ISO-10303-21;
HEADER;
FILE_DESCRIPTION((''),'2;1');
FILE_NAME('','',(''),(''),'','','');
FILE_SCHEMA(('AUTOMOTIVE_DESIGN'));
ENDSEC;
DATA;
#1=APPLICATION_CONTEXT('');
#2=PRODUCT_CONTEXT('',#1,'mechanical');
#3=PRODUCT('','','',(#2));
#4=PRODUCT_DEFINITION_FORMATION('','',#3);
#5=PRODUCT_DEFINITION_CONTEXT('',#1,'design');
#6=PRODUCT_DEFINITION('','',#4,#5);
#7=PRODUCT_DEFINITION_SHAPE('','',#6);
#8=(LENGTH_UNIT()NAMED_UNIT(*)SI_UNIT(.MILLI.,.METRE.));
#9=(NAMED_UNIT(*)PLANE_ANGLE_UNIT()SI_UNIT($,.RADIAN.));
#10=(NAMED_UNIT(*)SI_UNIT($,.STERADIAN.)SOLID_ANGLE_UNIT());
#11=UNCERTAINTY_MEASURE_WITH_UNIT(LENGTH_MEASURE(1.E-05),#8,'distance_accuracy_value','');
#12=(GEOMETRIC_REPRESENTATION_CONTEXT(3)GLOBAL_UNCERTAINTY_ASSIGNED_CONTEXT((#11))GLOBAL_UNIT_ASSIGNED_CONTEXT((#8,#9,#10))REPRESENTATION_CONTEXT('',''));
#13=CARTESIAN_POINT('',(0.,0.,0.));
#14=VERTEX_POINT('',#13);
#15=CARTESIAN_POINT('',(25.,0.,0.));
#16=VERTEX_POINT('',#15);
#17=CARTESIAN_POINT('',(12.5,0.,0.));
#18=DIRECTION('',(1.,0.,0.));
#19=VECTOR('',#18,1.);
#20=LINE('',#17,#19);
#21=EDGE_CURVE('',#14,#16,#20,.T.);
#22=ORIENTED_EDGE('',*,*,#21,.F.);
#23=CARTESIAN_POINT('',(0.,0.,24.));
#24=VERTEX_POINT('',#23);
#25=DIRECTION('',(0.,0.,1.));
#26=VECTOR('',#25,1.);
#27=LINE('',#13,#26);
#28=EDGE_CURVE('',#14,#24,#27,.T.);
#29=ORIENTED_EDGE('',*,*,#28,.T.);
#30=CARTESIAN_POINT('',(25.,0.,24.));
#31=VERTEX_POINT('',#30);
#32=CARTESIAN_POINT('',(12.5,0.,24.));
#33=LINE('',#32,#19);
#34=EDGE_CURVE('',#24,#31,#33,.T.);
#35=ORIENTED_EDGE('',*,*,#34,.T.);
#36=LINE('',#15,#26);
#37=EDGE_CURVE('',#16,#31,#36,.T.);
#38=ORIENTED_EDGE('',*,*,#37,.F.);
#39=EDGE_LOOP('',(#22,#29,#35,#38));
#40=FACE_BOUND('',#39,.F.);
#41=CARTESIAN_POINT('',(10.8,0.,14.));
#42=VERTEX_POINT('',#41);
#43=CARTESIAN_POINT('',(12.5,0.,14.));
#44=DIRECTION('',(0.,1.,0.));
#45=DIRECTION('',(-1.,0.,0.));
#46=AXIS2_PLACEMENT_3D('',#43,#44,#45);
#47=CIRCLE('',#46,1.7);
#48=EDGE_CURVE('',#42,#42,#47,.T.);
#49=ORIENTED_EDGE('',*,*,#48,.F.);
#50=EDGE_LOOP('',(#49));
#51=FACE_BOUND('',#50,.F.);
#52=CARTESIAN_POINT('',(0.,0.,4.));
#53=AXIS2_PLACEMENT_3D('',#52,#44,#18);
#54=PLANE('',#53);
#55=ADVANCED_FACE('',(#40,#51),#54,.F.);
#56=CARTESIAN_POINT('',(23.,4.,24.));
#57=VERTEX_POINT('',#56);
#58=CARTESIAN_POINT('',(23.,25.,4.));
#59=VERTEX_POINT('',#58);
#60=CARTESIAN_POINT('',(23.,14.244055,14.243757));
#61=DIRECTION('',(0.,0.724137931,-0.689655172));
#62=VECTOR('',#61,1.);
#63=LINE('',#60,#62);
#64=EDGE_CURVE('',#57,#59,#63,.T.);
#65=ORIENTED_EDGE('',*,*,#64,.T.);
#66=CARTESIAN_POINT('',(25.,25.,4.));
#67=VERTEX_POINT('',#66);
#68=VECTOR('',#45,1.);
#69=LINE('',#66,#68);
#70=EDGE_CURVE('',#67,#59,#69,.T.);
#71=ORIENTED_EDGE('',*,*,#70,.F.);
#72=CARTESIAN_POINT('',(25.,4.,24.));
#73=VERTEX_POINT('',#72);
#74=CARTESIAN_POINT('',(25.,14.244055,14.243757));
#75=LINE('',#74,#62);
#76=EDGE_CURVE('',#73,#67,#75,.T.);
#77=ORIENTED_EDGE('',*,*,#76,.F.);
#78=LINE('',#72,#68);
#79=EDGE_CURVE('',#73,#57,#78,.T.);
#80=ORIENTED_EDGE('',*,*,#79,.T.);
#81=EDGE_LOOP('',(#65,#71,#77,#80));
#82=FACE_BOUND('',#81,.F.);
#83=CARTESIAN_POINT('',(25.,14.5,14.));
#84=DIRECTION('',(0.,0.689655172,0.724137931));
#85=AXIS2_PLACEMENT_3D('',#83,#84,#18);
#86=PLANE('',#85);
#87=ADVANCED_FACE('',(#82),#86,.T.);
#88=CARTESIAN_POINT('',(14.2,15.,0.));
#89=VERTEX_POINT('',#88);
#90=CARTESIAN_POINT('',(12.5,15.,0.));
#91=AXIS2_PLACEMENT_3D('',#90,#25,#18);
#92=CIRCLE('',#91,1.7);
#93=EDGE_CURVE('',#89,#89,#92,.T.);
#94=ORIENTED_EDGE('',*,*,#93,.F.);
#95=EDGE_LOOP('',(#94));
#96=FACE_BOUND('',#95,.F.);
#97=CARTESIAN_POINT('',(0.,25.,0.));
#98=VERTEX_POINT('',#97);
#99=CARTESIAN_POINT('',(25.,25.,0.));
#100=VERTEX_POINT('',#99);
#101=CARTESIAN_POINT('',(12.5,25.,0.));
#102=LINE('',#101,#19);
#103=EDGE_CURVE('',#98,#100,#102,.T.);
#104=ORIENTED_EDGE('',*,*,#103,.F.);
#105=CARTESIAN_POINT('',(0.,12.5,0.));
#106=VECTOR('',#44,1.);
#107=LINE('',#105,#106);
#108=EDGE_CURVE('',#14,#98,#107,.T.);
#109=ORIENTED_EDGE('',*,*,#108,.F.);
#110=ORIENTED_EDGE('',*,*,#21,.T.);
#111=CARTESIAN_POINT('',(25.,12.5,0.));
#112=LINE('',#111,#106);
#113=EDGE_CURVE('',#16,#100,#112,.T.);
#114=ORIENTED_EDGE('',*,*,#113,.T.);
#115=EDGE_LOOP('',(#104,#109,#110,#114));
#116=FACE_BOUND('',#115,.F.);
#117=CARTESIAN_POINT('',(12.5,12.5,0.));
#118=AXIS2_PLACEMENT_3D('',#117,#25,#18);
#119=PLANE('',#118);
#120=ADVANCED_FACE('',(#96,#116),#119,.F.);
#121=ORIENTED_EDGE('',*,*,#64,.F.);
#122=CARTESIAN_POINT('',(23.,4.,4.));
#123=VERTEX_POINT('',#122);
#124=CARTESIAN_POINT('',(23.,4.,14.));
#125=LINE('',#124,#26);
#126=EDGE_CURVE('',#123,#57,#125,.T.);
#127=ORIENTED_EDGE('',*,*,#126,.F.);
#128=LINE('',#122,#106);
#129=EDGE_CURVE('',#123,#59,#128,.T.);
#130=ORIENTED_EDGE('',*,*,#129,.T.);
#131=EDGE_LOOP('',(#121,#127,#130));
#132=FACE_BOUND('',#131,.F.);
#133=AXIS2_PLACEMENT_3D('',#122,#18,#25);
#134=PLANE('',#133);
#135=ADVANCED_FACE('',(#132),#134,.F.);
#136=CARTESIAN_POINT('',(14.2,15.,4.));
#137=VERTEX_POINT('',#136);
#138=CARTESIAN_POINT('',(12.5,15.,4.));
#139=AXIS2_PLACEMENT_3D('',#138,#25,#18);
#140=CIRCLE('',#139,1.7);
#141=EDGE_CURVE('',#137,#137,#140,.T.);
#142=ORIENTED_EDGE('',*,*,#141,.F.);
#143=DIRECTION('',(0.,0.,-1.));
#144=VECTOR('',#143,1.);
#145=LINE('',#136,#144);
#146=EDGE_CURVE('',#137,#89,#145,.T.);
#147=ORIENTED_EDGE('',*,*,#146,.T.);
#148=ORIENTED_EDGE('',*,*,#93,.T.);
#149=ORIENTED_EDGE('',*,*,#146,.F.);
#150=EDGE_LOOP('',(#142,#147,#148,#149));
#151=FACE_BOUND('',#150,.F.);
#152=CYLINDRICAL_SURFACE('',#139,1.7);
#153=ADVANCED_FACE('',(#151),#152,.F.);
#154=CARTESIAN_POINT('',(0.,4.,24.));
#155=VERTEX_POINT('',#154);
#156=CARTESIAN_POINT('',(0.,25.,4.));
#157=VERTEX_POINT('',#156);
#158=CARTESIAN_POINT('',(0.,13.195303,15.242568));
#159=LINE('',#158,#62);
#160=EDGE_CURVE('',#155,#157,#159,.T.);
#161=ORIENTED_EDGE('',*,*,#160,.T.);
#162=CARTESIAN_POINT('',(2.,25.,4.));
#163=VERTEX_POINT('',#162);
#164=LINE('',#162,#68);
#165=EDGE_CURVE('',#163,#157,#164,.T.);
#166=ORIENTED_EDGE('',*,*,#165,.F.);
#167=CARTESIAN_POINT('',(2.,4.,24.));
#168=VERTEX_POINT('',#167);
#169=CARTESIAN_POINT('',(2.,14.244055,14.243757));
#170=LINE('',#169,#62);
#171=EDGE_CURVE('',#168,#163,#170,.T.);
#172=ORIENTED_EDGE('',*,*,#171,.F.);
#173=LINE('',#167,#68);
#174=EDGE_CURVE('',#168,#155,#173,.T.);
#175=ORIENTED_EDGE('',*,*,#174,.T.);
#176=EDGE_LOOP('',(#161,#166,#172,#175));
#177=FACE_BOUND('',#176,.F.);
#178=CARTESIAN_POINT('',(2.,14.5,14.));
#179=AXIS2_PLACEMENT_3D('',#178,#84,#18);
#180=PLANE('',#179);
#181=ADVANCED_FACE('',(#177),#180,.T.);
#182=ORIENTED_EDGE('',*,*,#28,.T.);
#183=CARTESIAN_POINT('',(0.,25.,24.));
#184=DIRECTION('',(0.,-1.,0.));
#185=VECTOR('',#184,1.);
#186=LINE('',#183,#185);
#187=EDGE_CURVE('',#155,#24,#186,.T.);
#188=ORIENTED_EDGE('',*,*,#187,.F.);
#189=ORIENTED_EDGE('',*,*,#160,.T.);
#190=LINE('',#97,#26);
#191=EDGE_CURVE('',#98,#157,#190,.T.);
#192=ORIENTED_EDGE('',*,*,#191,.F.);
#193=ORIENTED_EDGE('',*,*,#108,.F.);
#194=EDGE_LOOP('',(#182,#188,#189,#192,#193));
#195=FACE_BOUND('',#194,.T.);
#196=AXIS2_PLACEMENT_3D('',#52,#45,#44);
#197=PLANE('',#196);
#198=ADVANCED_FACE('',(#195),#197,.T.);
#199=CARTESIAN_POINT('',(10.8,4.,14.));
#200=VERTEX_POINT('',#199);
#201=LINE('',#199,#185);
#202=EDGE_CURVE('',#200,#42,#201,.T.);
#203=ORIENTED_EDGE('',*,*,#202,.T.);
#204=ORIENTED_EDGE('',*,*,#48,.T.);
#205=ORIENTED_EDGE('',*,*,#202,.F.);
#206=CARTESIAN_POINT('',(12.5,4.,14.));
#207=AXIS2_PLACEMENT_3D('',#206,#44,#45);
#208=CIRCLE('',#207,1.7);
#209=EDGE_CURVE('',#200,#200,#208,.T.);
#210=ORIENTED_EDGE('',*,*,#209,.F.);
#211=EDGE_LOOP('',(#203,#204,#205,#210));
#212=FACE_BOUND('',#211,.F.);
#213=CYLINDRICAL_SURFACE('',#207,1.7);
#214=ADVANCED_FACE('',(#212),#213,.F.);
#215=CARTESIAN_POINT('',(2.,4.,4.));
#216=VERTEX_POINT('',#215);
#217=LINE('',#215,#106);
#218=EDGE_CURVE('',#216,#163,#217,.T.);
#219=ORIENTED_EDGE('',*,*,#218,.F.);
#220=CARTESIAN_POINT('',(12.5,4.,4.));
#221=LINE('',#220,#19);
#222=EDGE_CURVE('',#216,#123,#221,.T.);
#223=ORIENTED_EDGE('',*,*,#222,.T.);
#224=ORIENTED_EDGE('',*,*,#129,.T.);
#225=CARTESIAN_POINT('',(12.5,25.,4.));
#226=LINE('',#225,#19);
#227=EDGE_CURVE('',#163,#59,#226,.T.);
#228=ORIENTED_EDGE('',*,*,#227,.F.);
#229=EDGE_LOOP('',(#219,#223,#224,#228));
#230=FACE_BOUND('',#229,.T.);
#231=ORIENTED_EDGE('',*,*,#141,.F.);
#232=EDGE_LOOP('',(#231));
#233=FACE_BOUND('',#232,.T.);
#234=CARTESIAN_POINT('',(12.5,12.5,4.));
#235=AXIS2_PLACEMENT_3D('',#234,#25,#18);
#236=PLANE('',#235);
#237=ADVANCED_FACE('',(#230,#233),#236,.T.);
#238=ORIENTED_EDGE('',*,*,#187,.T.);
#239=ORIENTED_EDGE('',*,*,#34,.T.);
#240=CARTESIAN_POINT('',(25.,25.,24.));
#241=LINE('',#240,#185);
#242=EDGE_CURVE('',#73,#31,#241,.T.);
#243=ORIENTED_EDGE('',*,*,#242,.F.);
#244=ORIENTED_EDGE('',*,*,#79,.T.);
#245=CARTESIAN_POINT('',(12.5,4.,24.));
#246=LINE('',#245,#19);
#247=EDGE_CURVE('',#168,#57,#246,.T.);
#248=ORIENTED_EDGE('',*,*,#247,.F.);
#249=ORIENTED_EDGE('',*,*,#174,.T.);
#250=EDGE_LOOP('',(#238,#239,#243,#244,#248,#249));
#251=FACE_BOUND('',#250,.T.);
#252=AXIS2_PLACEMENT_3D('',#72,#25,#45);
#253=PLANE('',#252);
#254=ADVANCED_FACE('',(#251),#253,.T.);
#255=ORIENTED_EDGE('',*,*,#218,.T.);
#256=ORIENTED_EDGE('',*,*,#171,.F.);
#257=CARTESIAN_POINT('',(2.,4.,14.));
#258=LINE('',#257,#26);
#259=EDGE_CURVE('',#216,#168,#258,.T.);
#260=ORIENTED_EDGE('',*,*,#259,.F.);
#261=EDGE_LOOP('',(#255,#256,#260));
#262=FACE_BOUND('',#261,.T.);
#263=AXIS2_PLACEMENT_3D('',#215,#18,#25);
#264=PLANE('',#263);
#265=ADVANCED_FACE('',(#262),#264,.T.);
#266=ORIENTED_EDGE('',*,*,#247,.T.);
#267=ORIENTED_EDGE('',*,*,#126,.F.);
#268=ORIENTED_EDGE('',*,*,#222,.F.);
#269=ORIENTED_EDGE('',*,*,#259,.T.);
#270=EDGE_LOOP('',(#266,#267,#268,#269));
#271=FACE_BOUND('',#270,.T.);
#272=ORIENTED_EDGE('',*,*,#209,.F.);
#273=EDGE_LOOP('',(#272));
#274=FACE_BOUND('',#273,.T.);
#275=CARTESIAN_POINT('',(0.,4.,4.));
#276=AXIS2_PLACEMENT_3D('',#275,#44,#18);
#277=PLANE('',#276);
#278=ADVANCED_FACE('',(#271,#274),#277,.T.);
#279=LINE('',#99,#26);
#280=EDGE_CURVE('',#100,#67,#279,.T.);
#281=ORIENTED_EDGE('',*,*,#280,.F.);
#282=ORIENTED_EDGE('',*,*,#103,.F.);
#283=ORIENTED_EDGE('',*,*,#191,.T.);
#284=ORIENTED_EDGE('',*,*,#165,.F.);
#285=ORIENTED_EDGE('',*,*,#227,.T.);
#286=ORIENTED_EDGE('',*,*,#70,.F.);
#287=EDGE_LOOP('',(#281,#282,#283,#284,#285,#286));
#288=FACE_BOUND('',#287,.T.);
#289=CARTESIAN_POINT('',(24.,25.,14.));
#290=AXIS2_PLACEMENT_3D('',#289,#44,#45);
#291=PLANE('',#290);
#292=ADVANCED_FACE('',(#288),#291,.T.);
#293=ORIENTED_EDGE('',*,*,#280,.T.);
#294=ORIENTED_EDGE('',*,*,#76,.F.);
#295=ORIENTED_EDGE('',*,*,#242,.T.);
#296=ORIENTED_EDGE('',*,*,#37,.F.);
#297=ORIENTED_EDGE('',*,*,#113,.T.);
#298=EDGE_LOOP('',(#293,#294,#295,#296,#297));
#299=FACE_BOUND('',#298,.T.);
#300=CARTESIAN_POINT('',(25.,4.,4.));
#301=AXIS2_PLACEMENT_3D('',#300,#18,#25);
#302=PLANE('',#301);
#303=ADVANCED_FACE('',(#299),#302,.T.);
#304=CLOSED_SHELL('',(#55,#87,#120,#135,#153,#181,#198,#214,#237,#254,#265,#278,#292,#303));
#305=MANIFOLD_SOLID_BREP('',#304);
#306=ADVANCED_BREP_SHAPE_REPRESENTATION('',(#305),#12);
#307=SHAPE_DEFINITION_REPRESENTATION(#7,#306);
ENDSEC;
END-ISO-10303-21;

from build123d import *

# Parameters (mm, degrees)
F0_W      = 25
F0_H      = 25
F1_DEPTH  = 4
F2_W      = 25
F2_H      = 4
F3_DEPTH  = 20
F4_W      = 2
F4_H      = 20
F5_DEPTH  = 21
F6_SIZE2  = 20
F6_SIZE   = 21
F7_R      = 1.7
F8_DEPTH  = 25
F9_R      = 1.7
F10_DEPTH = 25


with BuildPart() as f1:
    # F0 (on Top) → F1 (new body)
    with BuildSketch(Plane.XY):
        with Locations((12.5, 12.5)):
            Rectangle(F0_W, F0_H)
    extrude(amount=F1_DEPTH)

    # F2 (on face) → F3 (join)
    with BuildSketch(Plane.XY.offset(4)):
        with Locations((12.5, 2)):
            Rectangle(F2_W, F2_H)
    extrude(amount=F3_DEPTH)

    # F4 (on face) → F5 (join)
    with BuildSketch(Plane(origin=(0, 4, 0), x_dir=(-1, 0, 0), z_dir=(0, 1, 0))):
        with Locations((-24, 14)):
            Rectangle(F4_W, F4_H)
        with Locations((-1, 14)):
            Rectangle(F4_W, F4_H)
    extrude(amount=F5_DEPTH)

    # F6
    f6_edges = [f1.edges().sort_by_distance(p)[0] for p in [
        (24, 25, 24),
        (1, 25, 24),
    ]]
    f6_side = f1.faces().sort_by_distance((0.353553, 12.5, 24))[0]
    chamfer(f6_edges, length=F6_SIZE, length2=F6_SIZE2, reference=f6_side)

    # F7 (on face) → F8 (cut)
    with BuildSketch(Plane(origin=(0, 4, 0), x_dir=(-1, 0, 0), z_dir=(0, 1, 0))):
        with Locations((-12.5, 14)):
            Circle(F7_R)
    extrude(amount=-F8_DEPTH, mode=Mode.SUBTRACT)

    # F9 (on face) → F10 (cut)
    with BuildSketch(Plane.XY.offset(4)):
        with Locations((12.5, 15)):
            Circle(F9_R)
    extrude(amount=-F10_DEPTH, mode=Mode.SUBTRACT)


solid = f1.part
